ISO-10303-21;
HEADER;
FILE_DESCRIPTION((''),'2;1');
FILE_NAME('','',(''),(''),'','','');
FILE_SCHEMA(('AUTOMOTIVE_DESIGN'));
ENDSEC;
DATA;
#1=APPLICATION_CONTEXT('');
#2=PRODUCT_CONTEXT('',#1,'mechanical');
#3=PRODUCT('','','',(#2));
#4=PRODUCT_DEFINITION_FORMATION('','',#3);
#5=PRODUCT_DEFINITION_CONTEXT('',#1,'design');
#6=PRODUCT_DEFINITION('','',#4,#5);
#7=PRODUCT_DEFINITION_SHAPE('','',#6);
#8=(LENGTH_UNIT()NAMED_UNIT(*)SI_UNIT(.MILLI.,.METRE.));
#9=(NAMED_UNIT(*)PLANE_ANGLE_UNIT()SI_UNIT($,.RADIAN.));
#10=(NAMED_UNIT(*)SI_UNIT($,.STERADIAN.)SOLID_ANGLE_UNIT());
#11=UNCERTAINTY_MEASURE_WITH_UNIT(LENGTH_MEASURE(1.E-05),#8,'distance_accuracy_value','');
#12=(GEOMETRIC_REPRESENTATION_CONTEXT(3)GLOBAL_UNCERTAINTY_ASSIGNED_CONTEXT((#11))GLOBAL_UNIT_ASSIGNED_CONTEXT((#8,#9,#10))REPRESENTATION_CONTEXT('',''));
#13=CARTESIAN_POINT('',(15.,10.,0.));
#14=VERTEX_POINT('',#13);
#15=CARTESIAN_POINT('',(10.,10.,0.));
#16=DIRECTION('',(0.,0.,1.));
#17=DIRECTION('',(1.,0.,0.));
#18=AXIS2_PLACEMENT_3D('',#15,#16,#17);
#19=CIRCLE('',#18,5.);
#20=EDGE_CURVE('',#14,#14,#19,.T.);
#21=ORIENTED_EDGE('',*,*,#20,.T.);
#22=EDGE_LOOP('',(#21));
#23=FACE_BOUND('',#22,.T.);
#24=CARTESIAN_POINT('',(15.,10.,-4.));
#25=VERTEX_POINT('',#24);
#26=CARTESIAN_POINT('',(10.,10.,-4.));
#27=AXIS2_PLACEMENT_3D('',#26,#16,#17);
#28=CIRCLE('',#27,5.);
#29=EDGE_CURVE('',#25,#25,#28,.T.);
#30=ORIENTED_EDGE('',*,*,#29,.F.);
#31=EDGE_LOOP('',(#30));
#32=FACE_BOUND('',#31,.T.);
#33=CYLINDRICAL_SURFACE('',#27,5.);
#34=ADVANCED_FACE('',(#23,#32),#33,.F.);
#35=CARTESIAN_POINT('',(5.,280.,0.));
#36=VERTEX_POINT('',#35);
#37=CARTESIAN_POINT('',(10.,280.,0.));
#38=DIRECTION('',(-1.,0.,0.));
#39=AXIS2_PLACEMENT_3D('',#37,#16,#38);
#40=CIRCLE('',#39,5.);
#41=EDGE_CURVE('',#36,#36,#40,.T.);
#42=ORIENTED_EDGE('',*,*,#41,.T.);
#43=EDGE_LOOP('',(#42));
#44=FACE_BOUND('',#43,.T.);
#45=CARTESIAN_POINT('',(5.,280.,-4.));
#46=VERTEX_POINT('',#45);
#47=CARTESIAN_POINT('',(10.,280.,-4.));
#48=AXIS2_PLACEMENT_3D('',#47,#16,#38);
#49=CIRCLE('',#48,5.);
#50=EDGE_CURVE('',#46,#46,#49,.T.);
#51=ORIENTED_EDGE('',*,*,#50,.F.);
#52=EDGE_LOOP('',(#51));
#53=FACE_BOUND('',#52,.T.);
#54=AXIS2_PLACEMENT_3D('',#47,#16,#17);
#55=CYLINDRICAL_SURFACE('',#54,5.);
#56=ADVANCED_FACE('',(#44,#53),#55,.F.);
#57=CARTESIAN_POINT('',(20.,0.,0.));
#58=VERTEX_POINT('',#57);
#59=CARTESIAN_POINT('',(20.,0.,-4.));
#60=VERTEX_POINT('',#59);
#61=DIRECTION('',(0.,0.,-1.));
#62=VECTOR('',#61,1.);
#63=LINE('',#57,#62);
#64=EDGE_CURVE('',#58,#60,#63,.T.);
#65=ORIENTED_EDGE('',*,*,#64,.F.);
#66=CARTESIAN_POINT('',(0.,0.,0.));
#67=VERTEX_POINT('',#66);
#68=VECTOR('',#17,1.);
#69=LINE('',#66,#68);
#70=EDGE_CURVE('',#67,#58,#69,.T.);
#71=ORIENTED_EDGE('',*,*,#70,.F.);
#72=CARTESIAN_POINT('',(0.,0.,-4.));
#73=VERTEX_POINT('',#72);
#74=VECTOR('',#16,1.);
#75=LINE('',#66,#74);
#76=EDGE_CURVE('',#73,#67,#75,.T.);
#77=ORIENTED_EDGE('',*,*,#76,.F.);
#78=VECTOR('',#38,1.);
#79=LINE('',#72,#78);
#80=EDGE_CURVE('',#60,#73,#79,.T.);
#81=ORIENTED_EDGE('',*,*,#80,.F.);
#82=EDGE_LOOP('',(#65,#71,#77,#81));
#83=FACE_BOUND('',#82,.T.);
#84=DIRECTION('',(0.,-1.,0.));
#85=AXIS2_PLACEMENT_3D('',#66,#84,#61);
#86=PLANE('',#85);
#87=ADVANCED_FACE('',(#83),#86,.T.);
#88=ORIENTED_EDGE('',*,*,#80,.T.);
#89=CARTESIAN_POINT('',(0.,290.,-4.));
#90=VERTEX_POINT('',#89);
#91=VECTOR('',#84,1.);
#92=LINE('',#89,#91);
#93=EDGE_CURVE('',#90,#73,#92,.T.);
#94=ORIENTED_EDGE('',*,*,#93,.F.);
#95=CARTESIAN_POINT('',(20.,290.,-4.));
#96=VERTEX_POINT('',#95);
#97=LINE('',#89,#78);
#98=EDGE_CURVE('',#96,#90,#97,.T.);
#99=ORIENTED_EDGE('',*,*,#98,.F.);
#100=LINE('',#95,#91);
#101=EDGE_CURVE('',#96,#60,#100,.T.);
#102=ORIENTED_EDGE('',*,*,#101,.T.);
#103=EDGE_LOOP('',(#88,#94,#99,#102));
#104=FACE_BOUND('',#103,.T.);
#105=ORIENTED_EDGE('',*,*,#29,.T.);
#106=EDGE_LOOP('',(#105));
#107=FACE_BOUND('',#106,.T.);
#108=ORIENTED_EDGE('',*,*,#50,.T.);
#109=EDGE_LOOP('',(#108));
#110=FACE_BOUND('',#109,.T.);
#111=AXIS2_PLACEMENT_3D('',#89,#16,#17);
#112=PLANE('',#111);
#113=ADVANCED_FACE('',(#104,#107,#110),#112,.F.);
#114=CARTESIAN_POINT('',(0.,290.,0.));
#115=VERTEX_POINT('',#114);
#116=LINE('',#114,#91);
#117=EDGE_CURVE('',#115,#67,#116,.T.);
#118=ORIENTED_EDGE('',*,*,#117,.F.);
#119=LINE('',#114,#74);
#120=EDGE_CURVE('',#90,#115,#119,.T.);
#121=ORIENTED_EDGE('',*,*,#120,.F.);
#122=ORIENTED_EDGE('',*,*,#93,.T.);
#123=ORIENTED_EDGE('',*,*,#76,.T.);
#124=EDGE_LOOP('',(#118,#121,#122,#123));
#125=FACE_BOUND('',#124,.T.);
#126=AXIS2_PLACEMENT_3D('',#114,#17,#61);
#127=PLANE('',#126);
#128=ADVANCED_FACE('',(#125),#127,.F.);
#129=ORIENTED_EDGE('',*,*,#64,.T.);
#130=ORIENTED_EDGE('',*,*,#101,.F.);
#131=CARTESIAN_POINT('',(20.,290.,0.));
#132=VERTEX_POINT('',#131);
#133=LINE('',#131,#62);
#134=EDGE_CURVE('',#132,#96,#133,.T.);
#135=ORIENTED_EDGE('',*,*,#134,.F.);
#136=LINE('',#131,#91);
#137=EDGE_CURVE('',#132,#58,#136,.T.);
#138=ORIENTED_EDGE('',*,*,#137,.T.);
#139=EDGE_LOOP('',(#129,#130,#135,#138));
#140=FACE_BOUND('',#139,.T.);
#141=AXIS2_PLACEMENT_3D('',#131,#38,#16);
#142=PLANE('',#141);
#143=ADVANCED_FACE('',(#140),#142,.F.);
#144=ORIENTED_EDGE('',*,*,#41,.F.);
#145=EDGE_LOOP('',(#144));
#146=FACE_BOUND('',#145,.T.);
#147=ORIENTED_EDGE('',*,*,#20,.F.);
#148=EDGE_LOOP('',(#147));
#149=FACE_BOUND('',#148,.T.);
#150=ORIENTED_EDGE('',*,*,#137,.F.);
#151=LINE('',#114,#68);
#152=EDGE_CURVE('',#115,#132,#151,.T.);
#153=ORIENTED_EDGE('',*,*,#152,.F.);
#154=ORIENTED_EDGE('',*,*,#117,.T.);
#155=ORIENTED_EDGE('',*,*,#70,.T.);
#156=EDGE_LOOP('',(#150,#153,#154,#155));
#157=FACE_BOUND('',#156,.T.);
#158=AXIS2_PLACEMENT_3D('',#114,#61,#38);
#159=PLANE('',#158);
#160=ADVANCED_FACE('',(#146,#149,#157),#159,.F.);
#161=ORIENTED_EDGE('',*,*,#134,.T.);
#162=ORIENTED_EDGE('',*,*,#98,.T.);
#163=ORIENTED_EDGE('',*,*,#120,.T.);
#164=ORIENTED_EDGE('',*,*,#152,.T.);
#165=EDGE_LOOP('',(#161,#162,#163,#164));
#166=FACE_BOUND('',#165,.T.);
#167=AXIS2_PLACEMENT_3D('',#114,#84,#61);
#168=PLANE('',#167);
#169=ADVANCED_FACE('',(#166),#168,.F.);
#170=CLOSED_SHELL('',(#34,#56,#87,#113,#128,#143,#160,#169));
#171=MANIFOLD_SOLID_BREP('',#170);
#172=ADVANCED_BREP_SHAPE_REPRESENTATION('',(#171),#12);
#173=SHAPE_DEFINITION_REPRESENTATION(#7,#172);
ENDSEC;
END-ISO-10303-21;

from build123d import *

# Parameters (mm, degrees)
SKETCH_1_W          = 20
SKETCH_1_H          = 4
EXTRUDE_1_DEPTH     = 290
SKETCH_2_R          = 5
CUT_EXTRUDE_1_DEPTH = 5


with BuildPart() as part:
    # Эскиз1 → Бобышка-Вытянуть1 (new body)
    with BuildSketch(Plane(origin=(0, 0, 0), x_dir=(1, 0, 0), z_dir=(0, 1, 0))):
        with Locations((10, 2)):
            Rectangle(SKETCH_1_W, SKETCH_1_H)
    extrude(amount=EXTRUDE_1_DEPTH)

    # Эскиз2 → Вырез-Вытянуть1 (cut, through all)
    with BuildSketch(Plane.XY):
        with Locations((10, 10)):
            Circle(SKETCH_2_R)
        with Locations((10, 280)):
            Circle(SKETCH_2_R)
    extrude(amount=-CUT_EXTRUDE_1_DEPTH, mode=Mode.SUBTRACT)


solid = part.part
